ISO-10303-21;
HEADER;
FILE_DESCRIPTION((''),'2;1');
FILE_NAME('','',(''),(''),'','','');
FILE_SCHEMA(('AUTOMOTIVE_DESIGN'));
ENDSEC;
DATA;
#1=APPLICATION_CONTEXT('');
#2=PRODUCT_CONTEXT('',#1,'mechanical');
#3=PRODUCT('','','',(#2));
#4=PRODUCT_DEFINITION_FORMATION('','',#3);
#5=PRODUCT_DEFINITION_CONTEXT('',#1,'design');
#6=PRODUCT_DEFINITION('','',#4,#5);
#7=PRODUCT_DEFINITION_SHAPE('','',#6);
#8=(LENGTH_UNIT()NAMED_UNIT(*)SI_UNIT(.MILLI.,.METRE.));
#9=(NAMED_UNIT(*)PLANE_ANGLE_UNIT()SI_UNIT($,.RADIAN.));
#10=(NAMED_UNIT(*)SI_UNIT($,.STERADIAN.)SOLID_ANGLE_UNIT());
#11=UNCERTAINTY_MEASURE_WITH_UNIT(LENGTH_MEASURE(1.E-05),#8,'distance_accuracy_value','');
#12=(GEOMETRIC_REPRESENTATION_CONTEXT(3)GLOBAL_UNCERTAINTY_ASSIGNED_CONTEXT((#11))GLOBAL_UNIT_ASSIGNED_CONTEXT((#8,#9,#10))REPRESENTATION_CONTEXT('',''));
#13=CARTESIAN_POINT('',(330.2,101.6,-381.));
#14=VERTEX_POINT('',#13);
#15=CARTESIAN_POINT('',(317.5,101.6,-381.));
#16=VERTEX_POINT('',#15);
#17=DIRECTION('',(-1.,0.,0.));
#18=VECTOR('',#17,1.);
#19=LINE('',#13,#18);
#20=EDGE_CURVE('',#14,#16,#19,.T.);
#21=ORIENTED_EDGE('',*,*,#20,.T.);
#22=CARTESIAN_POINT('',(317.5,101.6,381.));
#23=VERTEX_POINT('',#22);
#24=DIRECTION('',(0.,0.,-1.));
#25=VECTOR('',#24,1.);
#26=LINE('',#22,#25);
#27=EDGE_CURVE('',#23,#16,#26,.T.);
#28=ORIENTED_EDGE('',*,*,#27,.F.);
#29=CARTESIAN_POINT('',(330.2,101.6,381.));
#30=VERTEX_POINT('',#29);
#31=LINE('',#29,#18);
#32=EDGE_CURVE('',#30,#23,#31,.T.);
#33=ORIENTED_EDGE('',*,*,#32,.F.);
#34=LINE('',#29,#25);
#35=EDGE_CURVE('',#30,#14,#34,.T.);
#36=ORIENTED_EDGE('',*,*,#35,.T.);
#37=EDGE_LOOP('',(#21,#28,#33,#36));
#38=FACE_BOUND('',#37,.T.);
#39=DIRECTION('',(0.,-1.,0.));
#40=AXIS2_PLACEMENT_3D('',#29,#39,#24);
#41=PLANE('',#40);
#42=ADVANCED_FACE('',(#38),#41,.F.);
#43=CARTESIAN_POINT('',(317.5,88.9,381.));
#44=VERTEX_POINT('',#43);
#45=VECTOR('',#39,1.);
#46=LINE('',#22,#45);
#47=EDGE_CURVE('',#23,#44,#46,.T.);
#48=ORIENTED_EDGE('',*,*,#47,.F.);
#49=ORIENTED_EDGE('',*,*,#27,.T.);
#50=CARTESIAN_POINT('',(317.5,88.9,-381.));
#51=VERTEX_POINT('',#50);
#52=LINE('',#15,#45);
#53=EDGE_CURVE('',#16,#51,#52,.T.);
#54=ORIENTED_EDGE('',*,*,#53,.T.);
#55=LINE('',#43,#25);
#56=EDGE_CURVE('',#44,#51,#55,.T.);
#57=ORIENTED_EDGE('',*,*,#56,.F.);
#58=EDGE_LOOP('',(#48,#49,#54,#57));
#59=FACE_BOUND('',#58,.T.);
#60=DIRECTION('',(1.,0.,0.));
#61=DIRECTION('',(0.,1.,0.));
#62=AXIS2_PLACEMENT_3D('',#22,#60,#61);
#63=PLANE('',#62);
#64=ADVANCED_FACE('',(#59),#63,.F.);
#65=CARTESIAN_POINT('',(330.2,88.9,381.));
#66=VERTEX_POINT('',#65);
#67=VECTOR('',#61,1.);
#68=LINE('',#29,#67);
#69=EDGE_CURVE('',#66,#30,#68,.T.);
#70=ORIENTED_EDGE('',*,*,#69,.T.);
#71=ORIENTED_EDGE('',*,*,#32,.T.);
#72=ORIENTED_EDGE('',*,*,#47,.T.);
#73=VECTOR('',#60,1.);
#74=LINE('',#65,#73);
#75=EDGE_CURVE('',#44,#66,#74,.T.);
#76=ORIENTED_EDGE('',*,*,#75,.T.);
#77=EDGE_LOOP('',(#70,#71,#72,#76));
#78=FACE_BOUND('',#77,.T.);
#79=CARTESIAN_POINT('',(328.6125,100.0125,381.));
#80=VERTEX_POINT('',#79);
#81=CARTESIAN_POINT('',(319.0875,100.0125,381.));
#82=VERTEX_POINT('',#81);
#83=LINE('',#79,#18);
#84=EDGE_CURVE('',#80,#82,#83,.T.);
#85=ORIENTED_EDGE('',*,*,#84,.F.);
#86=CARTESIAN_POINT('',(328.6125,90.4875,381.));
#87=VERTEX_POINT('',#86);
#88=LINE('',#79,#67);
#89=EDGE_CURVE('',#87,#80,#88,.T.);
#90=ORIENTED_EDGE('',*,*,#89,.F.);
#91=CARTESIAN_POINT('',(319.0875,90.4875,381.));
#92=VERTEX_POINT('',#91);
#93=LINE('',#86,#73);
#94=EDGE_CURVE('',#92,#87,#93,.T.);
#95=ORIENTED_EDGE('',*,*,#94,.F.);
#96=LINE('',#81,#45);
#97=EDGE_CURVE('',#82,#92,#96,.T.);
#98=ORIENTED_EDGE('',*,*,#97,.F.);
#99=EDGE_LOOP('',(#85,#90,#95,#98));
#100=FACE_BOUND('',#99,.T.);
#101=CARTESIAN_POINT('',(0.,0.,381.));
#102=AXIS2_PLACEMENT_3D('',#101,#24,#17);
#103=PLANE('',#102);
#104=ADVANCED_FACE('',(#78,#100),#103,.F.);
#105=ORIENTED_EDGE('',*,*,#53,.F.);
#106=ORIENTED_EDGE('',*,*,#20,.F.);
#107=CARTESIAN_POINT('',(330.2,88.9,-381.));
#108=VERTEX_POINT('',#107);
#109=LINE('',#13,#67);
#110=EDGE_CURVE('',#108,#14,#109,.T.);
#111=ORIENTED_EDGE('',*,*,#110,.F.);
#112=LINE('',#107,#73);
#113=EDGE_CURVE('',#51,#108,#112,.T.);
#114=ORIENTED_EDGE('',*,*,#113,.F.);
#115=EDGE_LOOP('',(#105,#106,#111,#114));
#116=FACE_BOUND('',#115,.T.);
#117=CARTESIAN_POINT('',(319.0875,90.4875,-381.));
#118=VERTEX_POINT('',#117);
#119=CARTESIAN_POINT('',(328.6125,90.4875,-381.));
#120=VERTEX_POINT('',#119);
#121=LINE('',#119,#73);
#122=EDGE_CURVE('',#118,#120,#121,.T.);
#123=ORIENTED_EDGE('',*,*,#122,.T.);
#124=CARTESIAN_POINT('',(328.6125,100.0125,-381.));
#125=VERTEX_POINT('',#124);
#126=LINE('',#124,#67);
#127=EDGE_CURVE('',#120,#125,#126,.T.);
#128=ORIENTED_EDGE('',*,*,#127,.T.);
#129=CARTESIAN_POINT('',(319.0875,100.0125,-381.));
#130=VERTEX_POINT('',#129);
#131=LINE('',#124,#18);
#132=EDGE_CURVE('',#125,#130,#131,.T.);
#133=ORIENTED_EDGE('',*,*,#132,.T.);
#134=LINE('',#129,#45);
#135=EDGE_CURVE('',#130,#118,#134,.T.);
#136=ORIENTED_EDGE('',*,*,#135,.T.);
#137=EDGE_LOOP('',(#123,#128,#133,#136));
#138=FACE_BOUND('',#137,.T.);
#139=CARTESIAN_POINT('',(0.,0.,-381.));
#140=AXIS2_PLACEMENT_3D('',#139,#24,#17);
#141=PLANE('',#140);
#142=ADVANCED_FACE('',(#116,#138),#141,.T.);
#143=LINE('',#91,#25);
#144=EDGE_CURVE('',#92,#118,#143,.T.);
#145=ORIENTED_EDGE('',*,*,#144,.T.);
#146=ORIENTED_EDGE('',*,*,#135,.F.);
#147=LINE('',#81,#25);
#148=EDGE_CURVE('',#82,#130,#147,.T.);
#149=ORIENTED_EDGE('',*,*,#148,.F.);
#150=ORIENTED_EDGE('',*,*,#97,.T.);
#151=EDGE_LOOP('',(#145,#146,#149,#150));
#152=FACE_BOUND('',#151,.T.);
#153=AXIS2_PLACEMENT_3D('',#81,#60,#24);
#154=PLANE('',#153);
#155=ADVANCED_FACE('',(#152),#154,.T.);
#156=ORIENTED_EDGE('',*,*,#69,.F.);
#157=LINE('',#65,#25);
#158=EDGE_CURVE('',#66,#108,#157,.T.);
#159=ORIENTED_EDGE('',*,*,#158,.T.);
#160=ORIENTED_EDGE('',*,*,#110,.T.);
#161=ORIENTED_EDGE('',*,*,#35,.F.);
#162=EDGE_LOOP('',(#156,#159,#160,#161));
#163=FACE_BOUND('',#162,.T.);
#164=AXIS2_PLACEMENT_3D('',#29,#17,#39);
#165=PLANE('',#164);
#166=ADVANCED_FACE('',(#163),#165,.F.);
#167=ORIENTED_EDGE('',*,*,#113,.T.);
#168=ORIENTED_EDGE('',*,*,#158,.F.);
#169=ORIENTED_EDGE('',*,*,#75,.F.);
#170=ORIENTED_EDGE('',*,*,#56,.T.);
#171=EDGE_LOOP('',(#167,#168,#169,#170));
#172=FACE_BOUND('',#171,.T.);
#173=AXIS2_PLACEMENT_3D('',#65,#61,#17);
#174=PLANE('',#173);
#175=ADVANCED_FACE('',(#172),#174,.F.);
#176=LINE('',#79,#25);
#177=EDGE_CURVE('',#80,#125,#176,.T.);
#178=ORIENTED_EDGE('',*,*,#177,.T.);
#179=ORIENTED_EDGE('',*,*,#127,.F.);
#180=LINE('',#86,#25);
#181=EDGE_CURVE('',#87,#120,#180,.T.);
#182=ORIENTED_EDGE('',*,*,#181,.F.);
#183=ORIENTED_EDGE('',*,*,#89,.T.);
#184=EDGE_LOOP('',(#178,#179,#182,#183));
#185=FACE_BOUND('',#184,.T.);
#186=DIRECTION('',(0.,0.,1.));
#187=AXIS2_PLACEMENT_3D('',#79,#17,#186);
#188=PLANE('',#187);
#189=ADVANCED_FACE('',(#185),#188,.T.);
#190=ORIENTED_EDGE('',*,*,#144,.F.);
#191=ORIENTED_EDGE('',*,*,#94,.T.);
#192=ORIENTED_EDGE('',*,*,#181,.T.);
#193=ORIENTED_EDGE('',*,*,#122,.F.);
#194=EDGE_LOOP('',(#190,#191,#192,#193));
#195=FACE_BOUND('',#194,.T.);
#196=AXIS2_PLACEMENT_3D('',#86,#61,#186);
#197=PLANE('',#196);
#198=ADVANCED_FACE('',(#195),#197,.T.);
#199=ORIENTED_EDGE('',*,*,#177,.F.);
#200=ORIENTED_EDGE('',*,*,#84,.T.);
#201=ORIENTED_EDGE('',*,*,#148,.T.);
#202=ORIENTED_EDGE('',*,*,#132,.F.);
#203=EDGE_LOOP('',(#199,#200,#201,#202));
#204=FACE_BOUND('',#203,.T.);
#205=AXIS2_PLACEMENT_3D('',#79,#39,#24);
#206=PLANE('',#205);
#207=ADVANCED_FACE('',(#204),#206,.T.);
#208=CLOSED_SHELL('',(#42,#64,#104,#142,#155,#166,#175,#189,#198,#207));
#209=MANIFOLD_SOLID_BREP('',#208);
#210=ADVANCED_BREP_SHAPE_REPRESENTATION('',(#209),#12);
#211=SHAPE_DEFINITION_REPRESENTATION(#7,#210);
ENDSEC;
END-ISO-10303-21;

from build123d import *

# Parameters (mm, degrees)
BOSS_EXTRUDE1_DEPTH      = 381
BOSS_EXTRUDE1_DEPTH_BACK = 381
SKETCH1_W                = 12.7
SKETCH1_H                = 12.7
SKETCH1_W_2              = 9.525
SKETCH1_H_2              = 9.525


with BuildPart() as part:
    # Sketch1 → Boss-Extrude1 (new, two sides: drawn at the far end of the back side and taken through both)
    with BuildSketch(Plane.XY.offset(-BOSS_EXTRUDE1_DEPTH_BACK)):
        with Locations((323.85, 95.25)):
            Rectangle(SKETCH1_W, SKETCH1_H)
        with Locations((323.85, 95.25)):
            Rectangle(SKETCH1_W_2, SKETCH1_H_2, mode=Mode.SUBTRACT)
    extrude(amount=BOSS_EXTRUDE1_DEPTH + BOSS_EXTRUDE1_DEPTH_BACK)


solid = part.part
